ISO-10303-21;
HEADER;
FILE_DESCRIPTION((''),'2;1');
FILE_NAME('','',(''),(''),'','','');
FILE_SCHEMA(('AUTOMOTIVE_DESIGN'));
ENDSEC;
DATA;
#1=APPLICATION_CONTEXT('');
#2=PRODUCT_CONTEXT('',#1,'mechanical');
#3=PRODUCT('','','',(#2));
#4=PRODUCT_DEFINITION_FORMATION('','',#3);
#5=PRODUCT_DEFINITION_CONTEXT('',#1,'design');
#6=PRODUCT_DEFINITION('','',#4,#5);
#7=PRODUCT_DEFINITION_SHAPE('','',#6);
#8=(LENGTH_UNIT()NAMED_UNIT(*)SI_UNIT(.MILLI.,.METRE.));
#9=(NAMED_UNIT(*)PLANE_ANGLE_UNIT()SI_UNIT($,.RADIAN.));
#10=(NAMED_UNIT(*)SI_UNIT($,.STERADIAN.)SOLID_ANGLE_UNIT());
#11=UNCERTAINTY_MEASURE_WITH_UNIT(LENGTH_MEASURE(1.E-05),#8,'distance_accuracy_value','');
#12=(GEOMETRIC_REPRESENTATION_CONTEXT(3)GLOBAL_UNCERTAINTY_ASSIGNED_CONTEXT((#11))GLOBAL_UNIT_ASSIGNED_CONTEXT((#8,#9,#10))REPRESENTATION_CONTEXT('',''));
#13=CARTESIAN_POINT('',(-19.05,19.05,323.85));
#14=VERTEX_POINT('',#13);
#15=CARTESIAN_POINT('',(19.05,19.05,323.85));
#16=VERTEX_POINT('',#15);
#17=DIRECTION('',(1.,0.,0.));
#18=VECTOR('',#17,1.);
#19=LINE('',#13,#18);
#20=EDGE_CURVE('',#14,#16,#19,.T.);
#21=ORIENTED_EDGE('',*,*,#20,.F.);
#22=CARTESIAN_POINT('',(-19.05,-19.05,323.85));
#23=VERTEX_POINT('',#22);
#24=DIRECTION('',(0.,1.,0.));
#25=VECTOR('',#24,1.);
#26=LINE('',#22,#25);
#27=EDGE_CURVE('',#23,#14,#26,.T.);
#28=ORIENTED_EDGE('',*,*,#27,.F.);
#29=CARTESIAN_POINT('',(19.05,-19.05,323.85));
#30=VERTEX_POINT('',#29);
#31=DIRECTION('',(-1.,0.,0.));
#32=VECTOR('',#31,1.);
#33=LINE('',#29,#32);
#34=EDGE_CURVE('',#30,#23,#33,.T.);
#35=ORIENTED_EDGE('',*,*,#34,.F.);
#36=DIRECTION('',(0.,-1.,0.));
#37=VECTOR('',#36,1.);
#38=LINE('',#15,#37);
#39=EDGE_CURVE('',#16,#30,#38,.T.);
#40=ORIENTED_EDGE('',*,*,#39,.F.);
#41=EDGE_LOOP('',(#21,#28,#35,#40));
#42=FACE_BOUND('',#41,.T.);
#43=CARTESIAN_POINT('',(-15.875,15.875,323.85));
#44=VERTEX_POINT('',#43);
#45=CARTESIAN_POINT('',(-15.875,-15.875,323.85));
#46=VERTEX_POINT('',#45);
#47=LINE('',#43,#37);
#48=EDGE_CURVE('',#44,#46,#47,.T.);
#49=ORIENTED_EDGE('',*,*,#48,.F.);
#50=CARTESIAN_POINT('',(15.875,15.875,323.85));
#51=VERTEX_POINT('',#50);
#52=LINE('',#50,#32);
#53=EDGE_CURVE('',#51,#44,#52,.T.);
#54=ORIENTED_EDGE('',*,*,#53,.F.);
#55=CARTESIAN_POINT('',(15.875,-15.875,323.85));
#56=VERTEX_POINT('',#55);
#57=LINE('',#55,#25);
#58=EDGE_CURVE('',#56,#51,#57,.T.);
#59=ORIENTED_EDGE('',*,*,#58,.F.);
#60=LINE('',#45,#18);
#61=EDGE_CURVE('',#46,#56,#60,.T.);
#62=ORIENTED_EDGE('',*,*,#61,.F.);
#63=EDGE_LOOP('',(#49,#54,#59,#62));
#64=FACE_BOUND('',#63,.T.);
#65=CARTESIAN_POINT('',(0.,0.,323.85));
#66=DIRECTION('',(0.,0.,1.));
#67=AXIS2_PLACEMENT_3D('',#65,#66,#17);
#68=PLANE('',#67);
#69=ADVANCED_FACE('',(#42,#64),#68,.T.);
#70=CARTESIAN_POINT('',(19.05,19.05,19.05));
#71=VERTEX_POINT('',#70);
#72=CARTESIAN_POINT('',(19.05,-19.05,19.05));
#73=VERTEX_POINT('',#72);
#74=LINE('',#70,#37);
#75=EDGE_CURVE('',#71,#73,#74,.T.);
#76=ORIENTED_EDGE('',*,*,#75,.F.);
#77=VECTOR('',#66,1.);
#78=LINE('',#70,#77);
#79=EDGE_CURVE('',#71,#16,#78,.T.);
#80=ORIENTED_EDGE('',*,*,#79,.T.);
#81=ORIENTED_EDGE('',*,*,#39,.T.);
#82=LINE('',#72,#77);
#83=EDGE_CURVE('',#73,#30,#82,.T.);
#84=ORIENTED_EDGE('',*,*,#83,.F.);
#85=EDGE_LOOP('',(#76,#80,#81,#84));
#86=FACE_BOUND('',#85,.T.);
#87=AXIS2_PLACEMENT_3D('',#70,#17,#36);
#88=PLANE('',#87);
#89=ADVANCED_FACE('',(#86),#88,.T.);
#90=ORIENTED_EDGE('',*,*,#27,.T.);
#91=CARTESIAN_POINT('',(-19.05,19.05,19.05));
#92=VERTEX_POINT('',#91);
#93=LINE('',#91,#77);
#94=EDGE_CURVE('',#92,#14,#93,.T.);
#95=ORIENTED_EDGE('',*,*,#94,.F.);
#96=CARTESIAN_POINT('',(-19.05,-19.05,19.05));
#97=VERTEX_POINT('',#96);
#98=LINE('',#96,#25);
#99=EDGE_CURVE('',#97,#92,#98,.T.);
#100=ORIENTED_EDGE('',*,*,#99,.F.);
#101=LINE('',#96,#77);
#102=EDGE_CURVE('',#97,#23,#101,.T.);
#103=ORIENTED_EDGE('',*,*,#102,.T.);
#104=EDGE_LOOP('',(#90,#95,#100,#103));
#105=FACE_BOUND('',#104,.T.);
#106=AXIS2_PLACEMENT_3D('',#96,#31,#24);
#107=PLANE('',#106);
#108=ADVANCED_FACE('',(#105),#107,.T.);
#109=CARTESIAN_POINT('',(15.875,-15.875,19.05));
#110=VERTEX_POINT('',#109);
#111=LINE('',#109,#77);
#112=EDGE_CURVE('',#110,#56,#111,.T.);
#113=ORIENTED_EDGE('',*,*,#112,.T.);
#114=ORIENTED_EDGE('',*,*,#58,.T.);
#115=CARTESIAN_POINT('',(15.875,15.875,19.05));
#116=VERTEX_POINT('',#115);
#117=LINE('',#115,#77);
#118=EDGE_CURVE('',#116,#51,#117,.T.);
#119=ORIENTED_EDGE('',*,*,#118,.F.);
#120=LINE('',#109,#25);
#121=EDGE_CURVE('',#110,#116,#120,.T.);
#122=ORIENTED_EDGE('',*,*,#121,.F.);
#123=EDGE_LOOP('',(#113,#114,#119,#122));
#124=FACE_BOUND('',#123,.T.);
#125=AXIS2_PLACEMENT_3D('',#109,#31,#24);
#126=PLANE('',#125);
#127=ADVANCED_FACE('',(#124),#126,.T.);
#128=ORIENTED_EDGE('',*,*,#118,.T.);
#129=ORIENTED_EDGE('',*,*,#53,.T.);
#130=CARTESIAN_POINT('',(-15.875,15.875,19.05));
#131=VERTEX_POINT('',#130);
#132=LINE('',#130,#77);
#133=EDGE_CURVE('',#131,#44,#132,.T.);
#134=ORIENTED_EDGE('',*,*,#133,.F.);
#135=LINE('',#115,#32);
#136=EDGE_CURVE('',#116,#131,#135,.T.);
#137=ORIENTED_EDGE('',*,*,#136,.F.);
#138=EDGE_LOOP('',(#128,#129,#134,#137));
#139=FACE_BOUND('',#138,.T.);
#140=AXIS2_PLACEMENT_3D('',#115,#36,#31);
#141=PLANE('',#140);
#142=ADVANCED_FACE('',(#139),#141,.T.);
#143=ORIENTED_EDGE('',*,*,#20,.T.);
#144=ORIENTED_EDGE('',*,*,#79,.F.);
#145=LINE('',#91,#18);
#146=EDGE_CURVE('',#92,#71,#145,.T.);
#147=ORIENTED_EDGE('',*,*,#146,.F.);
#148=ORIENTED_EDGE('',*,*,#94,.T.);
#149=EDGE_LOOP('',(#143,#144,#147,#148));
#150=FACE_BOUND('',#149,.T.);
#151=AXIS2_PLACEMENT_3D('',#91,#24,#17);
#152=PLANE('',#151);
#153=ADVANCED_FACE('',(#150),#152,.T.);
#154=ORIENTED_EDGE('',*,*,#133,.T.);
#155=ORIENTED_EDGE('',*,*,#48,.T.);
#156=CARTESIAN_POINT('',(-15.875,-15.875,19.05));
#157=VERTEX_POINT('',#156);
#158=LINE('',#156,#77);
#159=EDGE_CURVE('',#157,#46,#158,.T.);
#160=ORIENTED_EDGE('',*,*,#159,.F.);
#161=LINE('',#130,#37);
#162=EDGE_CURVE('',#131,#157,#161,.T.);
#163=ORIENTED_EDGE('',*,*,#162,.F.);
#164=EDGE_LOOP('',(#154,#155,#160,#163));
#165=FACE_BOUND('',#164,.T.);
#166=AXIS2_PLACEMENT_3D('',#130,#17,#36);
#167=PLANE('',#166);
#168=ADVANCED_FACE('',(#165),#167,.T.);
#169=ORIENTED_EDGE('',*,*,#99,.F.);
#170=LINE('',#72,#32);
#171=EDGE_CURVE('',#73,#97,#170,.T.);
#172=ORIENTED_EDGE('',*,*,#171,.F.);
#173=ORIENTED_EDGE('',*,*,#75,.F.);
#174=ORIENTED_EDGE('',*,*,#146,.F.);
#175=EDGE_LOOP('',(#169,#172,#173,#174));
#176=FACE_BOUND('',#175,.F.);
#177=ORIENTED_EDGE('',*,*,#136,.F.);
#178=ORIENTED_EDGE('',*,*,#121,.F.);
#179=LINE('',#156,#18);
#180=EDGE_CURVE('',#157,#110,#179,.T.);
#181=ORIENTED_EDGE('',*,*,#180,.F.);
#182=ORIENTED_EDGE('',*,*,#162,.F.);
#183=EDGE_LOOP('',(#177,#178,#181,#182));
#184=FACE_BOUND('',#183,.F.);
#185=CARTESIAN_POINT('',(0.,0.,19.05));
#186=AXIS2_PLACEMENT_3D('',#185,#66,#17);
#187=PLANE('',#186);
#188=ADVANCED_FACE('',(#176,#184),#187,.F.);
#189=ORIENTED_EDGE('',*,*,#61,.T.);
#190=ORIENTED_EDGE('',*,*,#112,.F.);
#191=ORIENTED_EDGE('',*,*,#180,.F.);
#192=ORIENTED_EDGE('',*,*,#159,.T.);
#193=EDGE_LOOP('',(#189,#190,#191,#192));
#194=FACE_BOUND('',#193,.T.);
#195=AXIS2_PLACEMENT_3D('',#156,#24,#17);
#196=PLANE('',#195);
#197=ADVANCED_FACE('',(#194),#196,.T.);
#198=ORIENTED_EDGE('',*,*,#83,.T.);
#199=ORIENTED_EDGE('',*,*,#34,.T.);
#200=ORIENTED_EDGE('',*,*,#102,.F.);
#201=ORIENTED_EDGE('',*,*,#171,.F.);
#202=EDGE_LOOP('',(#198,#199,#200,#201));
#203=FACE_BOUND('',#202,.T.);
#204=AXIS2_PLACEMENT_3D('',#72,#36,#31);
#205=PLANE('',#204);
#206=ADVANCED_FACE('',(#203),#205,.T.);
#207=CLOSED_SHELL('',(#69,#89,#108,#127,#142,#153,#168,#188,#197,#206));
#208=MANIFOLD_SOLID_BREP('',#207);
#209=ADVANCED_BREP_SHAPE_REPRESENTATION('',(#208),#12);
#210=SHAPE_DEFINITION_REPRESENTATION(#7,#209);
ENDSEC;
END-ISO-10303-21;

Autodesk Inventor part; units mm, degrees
ref_plane "Start Plane" through (0, 0, 19.05) normal (0, 0, 1) x (1, 0, 0)
ref_plane "End Plane" through (0, 0, 323.85) normal (0, 0, 1) x (1, 0, 0)
sketch "Sketch" plane through (0, 0, 0) normal (0, 0, 1) x (1, 0, 0)
  line L0 (-19.05, 19.05) -> (19.05, 19.05)
  line L1 (19.05, 19.05) -> (19.05, -19.05)
  line L2 (19.05, -19.05) -> (-19.05, -19.05)
  line L3 (-19.05, -19.05) -> (-19.05, 19.05)
  line L4 (15.875, 15.875) -> (-15.875, 15.875)
  line L5 (-15.875, 15.875) -> (-15.875, -15.875)
  line L6 (-15.875, -15.875) -> (15.875, -15.875)
  line L7 (15.875, -15.875) -> (15.875, 15.875)
  point P0 (0, 0)
  point P1 (0, 19.05)
  point P2 (-19.05, 0)
  dimension "width" = 38.1
  dimension "d1" = 3.175
extrude "Body" add sketch "Sketch" along normal up to surface (304.8 mm away) from surface at 19.05
sketch "Sketch4" plane through (0, 0, 0) normal (0, 0, 1) x (1, 0, 0)
  line L0 (0, 0) -> (10, 0)
ref_plane "Work Plane4" through (0, 0, 0) normal (0, -1, 0) x (1, 0, 0)
sketch "Sketch5" plane through (0, 0, 0) normal (0, -1, 0) x (1, 0, 0)
  line L0 (-2, 19.05) -> (12, 19.05)
  line L1 (-2, 323.85) -> (12, 323.85)
  dimension "d9" = 304.8
ref_plane "Work Plane5" through (38.1, -19.05, 323.85) normal (0, 0, 1) x (1, 0, 0)
split "Split1" plane through (38.1, -19.05, 323.85) removes the side toward (0, 0, 1)
ref_plane "Work Plane6" through (762, 19.05, 19.05) normal (0, 0, -1) x (-1, 0, 0)
split "Split2" plane through (762, 19.05, 19.05) removes the side toward (0, 0, -1)
equation "\"G_OFFSET_START\" = -19.05"
equation "\"G_OFFSET_END\" = 19.05"
equation "\"d4\" = -G_OFFSET_START"
equation "\"d5\" = length + G_OFFSET_END"
equation "\"G_L\" = 304.8"
equation "\"length\" = 304.8"
properties part number "1.5x1.5x.125 Tube" material "Aluminum-6061"
